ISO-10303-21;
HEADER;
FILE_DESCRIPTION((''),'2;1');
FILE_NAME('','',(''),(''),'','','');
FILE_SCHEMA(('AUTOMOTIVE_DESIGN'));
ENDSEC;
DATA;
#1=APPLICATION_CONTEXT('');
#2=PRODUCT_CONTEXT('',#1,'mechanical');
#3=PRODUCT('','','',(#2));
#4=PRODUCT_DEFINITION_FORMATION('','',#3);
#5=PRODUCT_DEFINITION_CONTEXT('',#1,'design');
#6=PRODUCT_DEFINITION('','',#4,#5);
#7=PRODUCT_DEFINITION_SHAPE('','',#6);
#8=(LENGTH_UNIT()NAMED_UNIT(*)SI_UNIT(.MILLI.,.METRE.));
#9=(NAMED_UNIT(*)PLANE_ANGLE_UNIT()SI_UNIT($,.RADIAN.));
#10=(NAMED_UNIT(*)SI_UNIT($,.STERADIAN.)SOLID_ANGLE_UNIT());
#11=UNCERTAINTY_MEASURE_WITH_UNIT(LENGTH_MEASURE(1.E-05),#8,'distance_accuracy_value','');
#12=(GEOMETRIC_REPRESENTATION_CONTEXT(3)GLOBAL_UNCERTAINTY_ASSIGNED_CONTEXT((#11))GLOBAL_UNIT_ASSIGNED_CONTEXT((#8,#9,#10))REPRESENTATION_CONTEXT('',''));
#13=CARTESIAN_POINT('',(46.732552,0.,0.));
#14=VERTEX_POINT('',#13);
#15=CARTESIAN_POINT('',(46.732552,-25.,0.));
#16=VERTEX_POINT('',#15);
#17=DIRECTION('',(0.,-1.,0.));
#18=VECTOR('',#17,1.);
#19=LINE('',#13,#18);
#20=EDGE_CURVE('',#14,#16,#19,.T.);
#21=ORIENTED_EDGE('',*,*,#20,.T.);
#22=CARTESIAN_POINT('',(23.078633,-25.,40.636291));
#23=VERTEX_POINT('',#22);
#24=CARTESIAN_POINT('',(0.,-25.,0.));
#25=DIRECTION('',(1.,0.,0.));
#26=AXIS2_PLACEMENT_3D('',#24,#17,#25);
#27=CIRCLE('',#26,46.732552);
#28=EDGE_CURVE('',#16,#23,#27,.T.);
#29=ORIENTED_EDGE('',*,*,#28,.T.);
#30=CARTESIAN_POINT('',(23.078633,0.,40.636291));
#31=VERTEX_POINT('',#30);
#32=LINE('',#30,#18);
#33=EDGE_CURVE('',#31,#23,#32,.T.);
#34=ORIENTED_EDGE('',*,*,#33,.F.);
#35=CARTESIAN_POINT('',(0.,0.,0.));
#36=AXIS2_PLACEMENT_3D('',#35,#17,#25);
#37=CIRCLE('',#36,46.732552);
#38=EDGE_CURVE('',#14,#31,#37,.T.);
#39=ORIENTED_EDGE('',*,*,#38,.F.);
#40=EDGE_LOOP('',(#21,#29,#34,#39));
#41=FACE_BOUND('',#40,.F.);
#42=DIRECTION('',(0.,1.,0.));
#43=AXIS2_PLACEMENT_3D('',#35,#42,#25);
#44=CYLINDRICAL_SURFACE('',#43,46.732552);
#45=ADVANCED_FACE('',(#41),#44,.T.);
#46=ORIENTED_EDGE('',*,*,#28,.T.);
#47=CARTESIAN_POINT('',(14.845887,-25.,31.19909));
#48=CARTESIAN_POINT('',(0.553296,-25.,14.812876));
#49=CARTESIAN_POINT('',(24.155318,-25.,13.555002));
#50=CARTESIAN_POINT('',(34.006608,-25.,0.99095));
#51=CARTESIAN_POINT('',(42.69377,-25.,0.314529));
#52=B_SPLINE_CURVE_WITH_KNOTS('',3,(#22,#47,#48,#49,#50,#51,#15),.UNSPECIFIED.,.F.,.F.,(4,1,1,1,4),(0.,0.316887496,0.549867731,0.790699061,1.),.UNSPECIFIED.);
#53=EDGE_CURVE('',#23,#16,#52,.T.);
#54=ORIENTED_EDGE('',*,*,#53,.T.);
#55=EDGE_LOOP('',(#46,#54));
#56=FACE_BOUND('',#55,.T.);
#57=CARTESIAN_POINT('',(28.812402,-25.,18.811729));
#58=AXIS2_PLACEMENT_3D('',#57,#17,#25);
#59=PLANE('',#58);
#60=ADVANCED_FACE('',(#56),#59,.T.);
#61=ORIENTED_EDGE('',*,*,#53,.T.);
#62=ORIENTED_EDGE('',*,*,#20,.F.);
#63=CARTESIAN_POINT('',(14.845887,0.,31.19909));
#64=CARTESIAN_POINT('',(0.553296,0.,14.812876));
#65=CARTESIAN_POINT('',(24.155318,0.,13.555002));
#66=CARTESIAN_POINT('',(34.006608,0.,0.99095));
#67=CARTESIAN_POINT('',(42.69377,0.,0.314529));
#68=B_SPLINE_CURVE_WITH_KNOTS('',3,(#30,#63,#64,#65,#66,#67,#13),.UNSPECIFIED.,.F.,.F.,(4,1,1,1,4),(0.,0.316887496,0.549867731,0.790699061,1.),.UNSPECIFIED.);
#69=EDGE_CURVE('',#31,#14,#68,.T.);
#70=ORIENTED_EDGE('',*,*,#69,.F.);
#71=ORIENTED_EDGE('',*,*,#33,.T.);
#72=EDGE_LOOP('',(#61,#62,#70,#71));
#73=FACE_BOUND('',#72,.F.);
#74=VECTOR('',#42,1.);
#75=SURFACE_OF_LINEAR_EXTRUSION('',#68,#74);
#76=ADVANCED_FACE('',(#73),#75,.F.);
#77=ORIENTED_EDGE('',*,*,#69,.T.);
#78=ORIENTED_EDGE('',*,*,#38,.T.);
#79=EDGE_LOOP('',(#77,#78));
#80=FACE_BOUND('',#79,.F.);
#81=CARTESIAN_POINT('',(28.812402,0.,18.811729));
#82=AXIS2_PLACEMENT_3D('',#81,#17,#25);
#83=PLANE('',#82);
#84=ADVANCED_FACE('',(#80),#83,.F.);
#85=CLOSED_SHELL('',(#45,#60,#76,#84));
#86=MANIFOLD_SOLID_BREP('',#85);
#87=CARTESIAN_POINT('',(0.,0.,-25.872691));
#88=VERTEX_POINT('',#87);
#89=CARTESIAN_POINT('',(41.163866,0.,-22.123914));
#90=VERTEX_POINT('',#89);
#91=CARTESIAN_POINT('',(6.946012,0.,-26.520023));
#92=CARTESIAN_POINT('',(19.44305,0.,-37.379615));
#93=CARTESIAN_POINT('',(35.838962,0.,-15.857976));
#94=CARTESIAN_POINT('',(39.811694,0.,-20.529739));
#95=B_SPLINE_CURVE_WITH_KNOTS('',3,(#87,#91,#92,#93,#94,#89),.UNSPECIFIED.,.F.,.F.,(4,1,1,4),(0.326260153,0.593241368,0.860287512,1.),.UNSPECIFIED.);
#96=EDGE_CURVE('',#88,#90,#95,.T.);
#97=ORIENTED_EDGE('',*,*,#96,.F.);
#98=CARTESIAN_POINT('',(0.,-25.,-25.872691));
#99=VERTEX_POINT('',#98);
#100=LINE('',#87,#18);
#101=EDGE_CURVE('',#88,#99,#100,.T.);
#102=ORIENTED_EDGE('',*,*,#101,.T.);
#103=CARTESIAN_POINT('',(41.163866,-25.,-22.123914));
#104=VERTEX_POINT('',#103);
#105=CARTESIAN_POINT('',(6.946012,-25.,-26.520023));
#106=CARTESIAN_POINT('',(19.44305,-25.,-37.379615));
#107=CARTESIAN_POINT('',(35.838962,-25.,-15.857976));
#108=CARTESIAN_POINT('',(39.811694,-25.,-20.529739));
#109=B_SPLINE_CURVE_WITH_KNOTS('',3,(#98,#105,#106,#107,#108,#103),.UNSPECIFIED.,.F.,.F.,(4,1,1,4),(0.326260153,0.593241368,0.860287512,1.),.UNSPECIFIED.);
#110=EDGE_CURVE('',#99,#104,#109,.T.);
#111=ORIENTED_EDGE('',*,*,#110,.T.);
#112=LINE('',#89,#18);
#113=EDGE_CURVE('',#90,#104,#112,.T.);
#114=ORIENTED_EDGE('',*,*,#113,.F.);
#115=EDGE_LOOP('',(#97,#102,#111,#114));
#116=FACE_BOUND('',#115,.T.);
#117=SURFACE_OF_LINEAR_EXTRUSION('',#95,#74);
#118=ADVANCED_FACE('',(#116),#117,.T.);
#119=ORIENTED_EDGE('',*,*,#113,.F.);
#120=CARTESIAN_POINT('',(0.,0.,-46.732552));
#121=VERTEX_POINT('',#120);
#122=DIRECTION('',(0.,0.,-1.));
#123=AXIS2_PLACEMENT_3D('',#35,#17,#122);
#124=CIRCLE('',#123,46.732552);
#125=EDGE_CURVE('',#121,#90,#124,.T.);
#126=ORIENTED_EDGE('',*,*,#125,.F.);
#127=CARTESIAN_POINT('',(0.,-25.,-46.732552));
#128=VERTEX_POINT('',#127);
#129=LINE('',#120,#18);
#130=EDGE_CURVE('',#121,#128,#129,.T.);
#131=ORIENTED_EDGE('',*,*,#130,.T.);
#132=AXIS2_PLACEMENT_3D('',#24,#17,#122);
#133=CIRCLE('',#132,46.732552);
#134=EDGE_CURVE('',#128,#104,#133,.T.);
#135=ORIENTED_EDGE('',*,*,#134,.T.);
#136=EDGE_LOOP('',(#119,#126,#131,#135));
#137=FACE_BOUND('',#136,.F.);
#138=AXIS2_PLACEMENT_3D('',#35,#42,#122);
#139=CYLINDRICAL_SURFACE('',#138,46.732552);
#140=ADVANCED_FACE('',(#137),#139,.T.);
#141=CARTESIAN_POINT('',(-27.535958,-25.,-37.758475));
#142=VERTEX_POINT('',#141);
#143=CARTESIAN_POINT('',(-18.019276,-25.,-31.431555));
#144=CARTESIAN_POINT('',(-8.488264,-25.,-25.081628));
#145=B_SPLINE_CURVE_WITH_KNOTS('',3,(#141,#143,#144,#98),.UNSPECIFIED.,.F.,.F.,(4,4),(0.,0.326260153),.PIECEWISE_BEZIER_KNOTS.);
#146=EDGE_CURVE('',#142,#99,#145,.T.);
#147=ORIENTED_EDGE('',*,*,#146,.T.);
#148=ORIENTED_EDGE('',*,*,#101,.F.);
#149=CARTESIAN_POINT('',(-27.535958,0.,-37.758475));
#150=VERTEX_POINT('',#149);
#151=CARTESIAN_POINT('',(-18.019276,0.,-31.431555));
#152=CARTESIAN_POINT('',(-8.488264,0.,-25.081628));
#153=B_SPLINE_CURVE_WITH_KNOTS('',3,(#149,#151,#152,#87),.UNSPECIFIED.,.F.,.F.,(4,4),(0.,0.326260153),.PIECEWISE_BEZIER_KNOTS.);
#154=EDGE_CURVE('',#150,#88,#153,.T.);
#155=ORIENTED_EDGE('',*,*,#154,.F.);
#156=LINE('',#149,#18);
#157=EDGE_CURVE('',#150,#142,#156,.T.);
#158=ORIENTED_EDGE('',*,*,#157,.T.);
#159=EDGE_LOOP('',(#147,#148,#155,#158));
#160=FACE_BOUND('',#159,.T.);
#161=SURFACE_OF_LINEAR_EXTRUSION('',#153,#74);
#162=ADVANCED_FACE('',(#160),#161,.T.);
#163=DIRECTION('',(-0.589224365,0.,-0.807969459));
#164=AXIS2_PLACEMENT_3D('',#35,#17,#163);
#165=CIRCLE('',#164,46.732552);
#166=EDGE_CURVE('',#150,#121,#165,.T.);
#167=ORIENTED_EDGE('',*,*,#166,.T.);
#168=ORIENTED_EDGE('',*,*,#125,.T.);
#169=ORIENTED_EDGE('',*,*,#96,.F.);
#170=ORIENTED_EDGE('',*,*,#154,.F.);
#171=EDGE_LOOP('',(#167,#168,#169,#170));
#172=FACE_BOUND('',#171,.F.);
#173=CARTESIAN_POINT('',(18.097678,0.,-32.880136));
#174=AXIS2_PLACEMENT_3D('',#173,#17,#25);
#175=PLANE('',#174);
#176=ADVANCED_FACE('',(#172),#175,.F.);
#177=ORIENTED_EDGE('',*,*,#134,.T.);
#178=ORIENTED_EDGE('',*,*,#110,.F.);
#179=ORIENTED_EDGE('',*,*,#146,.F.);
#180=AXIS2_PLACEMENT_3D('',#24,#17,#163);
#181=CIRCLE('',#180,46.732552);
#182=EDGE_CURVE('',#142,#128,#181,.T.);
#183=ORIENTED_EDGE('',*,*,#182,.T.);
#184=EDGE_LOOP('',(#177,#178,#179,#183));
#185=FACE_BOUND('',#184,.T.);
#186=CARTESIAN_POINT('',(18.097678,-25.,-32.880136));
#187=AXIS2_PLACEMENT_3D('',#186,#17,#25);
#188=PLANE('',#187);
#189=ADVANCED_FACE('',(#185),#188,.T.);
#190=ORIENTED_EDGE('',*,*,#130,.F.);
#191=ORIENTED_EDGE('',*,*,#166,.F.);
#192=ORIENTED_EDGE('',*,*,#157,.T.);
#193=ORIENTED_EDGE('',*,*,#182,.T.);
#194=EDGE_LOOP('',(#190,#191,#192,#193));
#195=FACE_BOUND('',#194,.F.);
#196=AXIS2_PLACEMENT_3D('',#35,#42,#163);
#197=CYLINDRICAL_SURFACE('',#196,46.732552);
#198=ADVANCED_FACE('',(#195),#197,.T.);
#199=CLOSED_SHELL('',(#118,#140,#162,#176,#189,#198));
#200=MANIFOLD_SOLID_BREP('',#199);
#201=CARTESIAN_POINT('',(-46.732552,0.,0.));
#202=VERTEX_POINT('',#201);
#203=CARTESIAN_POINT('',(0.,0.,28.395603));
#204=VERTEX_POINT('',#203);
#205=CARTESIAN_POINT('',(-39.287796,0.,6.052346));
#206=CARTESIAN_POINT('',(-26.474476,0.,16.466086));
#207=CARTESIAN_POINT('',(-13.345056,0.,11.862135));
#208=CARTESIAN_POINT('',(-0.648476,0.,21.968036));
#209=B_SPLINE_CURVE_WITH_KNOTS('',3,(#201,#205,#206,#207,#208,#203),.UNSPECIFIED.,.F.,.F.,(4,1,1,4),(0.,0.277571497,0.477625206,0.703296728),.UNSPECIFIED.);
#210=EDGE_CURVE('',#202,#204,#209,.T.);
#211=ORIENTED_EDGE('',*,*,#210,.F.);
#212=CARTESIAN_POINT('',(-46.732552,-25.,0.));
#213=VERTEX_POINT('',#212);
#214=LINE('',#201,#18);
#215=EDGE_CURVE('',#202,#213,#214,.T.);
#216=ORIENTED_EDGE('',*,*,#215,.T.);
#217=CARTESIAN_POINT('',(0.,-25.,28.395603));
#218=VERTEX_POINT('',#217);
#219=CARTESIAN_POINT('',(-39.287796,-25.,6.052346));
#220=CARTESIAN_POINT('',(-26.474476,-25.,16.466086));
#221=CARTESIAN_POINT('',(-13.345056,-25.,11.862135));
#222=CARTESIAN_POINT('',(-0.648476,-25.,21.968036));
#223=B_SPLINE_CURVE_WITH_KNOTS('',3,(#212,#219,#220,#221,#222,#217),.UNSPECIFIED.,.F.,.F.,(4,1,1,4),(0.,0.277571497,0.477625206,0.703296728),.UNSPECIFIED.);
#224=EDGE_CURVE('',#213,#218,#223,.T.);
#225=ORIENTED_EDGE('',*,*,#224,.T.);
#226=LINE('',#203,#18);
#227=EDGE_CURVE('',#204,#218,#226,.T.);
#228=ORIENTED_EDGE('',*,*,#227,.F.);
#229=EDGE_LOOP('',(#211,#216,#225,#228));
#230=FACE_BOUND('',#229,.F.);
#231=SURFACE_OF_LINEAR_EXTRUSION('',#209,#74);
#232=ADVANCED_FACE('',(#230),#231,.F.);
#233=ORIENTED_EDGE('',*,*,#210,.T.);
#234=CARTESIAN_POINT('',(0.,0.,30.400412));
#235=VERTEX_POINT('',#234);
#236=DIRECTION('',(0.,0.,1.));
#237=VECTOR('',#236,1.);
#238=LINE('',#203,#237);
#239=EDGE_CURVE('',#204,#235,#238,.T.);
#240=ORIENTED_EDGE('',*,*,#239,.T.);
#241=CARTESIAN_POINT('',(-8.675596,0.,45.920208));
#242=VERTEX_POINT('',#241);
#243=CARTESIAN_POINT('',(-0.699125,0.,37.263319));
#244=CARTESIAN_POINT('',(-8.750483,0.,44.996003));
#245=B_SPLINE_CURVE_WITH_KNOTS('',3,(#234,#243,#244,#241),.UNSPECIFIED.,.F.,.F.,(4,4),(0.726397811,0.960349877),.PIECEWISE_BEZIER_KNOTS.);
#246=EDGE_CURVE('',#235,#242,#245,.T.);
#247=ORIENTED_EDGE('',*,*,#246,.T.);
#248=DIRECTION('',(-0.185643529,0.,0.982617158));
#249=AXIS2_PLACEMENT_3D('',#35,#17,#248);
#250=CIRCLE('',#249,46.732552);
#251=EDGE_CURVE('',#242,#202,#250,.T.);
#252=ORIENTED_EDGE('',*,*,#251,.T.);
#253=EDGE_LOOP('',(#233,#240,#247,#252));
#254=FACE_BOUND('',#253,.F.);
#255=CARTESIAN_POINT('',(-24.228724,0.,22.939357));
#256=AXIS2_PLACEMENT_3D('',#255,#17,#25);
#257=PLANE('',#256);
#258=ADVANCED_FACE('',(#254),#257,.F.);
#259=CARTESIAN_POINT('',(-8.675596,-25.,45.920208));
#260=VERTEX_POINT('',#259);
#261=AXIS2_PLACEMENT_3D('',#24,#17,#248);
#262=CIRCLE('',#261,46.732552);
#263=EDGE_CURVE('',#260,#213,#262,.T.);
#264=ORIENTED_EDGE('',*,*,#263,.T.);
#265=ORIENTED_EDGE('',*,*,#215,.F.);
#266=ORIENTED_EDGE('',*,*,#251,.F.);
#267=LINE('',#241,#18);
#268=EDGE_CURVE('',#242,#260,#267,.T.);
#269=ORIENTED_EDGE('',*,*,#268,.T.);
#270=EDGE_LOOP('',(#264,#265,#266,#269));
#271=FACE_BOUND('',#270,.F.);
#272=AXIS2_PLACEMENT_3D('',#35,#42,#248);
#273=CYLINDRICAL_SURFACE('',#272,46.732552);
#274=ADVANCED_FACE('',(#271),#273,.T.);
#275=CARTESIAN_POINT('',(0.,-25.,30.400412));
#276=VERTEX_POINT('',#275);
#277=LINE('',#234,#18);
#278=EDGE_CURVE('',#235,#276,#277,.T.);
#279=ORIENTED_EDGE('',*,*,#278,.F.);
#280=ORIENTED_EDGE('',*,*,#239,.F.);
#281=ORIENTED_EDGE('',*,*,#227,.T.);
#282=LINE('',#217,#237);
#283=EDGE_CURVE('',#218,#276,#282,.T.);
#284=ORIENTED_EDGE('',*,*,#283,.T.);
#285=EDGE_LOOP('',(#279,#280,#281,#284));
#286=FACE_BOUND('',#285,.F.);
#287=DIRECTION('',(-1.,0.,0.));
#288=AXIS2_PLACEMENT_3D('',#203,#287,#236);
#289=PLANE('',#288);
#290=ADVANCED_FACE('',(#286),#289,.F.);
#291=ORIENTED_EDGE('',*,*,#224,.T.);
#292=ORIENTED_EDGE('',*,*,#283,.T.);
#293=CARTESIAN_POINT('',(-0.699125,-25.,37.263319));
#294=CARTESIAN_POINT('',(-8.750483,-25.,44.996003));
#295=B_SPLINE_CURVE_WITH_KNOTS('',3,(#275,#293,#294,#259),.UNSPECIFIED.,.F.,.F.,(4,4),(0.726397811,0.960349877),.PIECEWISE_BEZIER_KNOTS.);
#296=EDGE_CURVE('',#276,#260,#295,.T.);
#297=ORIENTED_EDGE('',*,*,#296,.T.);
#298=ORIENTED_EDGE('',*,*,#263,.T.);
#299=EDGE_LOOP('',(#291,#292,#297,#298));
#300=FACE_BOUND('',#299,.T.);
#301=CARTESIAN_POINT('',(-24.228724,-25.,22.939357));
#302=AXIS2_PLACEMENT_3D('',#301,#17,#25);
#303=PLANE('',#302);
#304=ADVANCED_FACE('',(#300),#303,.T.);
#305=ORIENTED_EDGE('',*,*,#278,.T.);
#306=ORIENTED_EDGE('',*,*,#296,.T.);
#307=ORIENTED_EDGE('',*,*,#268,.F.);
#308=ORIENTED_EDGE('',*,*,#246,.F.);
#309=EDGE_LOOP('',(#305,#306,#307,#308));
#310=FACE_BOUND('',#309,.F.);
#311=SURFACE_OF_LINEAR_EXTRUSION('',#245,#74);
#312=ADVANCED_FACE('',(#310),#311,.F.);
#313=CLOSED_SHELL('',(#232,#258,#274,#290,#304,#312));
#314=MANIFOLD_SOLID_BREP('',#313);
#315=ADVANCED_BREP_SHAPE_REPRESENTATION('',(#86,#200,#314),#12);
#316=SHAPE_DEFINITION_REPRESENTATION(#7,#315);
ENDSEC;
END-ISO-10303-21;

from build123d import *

# Parameters (mm, degrees)
F1_DEPTH = 25


with BuildPart() as f1:
    # F0 (on Front) → F1 (new body)
    with BuildSketch(Plane.XZ):
        with BuildLine():
            ThreePointArc((0, -46.7325523496), (23.9794130672, -40.1113350321), (41.1638664294, -22.1239135255))
            add(Edge.make_bspline(
                [(0, -25.8726906031), (6.9460121025, -26.5200230854), (19.4430496575, -37.3796151953), (35.8389621567, -15.8579760057), (39.8116937231, -20.5297392688), (41.1638664294, -22.1239135255)],
                knots=[0.3262601526, 0.3262601526, 0.3262601526, 0.3262601526, 0.5932413683, 0.8602875124, 1, 1, 1, 1], degree=3))
            Line((0, -25.8726906031), (0, -46.7325523496))
        make_face()
        with BuildLine():
            ThreePointArc((-27.5359584967, -37.7584750589), (-14.4807033112, -44.4324282559), (0, -46.7325523496))
            Line((0, -46.7325523496), (0, -25.8726906031))
            add(Edge.make_bspline(
                [(-27.5359584967, -37.7584750589), (-18.0192757453, -31.43155502), (-8.4882637239, -25.0816282287), (0, -25.8726906031)],
                knots=[0, 0, 0, 0, 0.3262601526, 0.3262601526, 0.3262601526, 0.3262601526], degree=3))
        make_face()
    extrude(amount=F1_DEPTH)


with BuildPart() as f1b:
    # F0 (on Front) → F1, piece 2 (new body)
    with BuildSketch(Plane.XZ):
        with BuildLine():
            add(Edge.make_bspline(
                [(23.0786329916, 40.6362910259), (14.8458867962, 31.199090258), (0.5532964917, 14.8128759439), (24.15531803, 13.5550016973), (34.0066078799, 0.9909495936), (42.6937699961, 0.314529392), (46.7325523496, 0)],
                knots=[0, 0, 0, 0, 0.3168874963, 0.5498677314, 0.7906990608, 1, 1, 1, 1], degree=3))
            ThreePointArc((46.7325523496, 0), (40.3884567268, 23.5096578523), (23.0786329916, 40.6362910259))
        make_face()
    extrude(amount=F1_DEPTH)


with BuildPart() as f1c:
    # F0 (on Front) → F1, piece 3 (new body)
    with BuildSketch(Plane.XZ):
        with BuildLine():
            ThreePointArc((-8.6755959344, 45.9202077988), (-35.98169111, 29.8202842704), (-46.7325523496, 0))
            add(Edge.make_bspline(
                [(-46.7325523496, 0), (-39.2877960747, 6.0523459804), (-26.4744760988, 16.4660861589), (-13.3450562095, 11.8621347674), (-0.6484757808, 21.9680362875), (0, 28.395603164)],
                knots=[0, 0, 0, 0, 0.2775714971, 0.4776252056, 0.7032967279, 0.7032967279, 0.7032967279, 0.7032967279], degree=3))
            Line((0, 28.395603164), (0, 30.4004121572))
            add(Edge.make_bspline(
                [(0, 30.4004121572), (-0.6991251785, 37.2633190715), (-8.7504834545, 44.9960028277), (-8.6755959344, 45.9202077988)],
                knots=[0.7263978111, 0.7263978111, 0.7263978111, 0.7263978111, 0.9603498766, 0.9603498766, 0.9603498766, 0.9603498766], degree=3))
        make_face()
    extrude(amount=F1_DEPTH)


solid = Compound([f1.part, f1b.part, f1c.part])
